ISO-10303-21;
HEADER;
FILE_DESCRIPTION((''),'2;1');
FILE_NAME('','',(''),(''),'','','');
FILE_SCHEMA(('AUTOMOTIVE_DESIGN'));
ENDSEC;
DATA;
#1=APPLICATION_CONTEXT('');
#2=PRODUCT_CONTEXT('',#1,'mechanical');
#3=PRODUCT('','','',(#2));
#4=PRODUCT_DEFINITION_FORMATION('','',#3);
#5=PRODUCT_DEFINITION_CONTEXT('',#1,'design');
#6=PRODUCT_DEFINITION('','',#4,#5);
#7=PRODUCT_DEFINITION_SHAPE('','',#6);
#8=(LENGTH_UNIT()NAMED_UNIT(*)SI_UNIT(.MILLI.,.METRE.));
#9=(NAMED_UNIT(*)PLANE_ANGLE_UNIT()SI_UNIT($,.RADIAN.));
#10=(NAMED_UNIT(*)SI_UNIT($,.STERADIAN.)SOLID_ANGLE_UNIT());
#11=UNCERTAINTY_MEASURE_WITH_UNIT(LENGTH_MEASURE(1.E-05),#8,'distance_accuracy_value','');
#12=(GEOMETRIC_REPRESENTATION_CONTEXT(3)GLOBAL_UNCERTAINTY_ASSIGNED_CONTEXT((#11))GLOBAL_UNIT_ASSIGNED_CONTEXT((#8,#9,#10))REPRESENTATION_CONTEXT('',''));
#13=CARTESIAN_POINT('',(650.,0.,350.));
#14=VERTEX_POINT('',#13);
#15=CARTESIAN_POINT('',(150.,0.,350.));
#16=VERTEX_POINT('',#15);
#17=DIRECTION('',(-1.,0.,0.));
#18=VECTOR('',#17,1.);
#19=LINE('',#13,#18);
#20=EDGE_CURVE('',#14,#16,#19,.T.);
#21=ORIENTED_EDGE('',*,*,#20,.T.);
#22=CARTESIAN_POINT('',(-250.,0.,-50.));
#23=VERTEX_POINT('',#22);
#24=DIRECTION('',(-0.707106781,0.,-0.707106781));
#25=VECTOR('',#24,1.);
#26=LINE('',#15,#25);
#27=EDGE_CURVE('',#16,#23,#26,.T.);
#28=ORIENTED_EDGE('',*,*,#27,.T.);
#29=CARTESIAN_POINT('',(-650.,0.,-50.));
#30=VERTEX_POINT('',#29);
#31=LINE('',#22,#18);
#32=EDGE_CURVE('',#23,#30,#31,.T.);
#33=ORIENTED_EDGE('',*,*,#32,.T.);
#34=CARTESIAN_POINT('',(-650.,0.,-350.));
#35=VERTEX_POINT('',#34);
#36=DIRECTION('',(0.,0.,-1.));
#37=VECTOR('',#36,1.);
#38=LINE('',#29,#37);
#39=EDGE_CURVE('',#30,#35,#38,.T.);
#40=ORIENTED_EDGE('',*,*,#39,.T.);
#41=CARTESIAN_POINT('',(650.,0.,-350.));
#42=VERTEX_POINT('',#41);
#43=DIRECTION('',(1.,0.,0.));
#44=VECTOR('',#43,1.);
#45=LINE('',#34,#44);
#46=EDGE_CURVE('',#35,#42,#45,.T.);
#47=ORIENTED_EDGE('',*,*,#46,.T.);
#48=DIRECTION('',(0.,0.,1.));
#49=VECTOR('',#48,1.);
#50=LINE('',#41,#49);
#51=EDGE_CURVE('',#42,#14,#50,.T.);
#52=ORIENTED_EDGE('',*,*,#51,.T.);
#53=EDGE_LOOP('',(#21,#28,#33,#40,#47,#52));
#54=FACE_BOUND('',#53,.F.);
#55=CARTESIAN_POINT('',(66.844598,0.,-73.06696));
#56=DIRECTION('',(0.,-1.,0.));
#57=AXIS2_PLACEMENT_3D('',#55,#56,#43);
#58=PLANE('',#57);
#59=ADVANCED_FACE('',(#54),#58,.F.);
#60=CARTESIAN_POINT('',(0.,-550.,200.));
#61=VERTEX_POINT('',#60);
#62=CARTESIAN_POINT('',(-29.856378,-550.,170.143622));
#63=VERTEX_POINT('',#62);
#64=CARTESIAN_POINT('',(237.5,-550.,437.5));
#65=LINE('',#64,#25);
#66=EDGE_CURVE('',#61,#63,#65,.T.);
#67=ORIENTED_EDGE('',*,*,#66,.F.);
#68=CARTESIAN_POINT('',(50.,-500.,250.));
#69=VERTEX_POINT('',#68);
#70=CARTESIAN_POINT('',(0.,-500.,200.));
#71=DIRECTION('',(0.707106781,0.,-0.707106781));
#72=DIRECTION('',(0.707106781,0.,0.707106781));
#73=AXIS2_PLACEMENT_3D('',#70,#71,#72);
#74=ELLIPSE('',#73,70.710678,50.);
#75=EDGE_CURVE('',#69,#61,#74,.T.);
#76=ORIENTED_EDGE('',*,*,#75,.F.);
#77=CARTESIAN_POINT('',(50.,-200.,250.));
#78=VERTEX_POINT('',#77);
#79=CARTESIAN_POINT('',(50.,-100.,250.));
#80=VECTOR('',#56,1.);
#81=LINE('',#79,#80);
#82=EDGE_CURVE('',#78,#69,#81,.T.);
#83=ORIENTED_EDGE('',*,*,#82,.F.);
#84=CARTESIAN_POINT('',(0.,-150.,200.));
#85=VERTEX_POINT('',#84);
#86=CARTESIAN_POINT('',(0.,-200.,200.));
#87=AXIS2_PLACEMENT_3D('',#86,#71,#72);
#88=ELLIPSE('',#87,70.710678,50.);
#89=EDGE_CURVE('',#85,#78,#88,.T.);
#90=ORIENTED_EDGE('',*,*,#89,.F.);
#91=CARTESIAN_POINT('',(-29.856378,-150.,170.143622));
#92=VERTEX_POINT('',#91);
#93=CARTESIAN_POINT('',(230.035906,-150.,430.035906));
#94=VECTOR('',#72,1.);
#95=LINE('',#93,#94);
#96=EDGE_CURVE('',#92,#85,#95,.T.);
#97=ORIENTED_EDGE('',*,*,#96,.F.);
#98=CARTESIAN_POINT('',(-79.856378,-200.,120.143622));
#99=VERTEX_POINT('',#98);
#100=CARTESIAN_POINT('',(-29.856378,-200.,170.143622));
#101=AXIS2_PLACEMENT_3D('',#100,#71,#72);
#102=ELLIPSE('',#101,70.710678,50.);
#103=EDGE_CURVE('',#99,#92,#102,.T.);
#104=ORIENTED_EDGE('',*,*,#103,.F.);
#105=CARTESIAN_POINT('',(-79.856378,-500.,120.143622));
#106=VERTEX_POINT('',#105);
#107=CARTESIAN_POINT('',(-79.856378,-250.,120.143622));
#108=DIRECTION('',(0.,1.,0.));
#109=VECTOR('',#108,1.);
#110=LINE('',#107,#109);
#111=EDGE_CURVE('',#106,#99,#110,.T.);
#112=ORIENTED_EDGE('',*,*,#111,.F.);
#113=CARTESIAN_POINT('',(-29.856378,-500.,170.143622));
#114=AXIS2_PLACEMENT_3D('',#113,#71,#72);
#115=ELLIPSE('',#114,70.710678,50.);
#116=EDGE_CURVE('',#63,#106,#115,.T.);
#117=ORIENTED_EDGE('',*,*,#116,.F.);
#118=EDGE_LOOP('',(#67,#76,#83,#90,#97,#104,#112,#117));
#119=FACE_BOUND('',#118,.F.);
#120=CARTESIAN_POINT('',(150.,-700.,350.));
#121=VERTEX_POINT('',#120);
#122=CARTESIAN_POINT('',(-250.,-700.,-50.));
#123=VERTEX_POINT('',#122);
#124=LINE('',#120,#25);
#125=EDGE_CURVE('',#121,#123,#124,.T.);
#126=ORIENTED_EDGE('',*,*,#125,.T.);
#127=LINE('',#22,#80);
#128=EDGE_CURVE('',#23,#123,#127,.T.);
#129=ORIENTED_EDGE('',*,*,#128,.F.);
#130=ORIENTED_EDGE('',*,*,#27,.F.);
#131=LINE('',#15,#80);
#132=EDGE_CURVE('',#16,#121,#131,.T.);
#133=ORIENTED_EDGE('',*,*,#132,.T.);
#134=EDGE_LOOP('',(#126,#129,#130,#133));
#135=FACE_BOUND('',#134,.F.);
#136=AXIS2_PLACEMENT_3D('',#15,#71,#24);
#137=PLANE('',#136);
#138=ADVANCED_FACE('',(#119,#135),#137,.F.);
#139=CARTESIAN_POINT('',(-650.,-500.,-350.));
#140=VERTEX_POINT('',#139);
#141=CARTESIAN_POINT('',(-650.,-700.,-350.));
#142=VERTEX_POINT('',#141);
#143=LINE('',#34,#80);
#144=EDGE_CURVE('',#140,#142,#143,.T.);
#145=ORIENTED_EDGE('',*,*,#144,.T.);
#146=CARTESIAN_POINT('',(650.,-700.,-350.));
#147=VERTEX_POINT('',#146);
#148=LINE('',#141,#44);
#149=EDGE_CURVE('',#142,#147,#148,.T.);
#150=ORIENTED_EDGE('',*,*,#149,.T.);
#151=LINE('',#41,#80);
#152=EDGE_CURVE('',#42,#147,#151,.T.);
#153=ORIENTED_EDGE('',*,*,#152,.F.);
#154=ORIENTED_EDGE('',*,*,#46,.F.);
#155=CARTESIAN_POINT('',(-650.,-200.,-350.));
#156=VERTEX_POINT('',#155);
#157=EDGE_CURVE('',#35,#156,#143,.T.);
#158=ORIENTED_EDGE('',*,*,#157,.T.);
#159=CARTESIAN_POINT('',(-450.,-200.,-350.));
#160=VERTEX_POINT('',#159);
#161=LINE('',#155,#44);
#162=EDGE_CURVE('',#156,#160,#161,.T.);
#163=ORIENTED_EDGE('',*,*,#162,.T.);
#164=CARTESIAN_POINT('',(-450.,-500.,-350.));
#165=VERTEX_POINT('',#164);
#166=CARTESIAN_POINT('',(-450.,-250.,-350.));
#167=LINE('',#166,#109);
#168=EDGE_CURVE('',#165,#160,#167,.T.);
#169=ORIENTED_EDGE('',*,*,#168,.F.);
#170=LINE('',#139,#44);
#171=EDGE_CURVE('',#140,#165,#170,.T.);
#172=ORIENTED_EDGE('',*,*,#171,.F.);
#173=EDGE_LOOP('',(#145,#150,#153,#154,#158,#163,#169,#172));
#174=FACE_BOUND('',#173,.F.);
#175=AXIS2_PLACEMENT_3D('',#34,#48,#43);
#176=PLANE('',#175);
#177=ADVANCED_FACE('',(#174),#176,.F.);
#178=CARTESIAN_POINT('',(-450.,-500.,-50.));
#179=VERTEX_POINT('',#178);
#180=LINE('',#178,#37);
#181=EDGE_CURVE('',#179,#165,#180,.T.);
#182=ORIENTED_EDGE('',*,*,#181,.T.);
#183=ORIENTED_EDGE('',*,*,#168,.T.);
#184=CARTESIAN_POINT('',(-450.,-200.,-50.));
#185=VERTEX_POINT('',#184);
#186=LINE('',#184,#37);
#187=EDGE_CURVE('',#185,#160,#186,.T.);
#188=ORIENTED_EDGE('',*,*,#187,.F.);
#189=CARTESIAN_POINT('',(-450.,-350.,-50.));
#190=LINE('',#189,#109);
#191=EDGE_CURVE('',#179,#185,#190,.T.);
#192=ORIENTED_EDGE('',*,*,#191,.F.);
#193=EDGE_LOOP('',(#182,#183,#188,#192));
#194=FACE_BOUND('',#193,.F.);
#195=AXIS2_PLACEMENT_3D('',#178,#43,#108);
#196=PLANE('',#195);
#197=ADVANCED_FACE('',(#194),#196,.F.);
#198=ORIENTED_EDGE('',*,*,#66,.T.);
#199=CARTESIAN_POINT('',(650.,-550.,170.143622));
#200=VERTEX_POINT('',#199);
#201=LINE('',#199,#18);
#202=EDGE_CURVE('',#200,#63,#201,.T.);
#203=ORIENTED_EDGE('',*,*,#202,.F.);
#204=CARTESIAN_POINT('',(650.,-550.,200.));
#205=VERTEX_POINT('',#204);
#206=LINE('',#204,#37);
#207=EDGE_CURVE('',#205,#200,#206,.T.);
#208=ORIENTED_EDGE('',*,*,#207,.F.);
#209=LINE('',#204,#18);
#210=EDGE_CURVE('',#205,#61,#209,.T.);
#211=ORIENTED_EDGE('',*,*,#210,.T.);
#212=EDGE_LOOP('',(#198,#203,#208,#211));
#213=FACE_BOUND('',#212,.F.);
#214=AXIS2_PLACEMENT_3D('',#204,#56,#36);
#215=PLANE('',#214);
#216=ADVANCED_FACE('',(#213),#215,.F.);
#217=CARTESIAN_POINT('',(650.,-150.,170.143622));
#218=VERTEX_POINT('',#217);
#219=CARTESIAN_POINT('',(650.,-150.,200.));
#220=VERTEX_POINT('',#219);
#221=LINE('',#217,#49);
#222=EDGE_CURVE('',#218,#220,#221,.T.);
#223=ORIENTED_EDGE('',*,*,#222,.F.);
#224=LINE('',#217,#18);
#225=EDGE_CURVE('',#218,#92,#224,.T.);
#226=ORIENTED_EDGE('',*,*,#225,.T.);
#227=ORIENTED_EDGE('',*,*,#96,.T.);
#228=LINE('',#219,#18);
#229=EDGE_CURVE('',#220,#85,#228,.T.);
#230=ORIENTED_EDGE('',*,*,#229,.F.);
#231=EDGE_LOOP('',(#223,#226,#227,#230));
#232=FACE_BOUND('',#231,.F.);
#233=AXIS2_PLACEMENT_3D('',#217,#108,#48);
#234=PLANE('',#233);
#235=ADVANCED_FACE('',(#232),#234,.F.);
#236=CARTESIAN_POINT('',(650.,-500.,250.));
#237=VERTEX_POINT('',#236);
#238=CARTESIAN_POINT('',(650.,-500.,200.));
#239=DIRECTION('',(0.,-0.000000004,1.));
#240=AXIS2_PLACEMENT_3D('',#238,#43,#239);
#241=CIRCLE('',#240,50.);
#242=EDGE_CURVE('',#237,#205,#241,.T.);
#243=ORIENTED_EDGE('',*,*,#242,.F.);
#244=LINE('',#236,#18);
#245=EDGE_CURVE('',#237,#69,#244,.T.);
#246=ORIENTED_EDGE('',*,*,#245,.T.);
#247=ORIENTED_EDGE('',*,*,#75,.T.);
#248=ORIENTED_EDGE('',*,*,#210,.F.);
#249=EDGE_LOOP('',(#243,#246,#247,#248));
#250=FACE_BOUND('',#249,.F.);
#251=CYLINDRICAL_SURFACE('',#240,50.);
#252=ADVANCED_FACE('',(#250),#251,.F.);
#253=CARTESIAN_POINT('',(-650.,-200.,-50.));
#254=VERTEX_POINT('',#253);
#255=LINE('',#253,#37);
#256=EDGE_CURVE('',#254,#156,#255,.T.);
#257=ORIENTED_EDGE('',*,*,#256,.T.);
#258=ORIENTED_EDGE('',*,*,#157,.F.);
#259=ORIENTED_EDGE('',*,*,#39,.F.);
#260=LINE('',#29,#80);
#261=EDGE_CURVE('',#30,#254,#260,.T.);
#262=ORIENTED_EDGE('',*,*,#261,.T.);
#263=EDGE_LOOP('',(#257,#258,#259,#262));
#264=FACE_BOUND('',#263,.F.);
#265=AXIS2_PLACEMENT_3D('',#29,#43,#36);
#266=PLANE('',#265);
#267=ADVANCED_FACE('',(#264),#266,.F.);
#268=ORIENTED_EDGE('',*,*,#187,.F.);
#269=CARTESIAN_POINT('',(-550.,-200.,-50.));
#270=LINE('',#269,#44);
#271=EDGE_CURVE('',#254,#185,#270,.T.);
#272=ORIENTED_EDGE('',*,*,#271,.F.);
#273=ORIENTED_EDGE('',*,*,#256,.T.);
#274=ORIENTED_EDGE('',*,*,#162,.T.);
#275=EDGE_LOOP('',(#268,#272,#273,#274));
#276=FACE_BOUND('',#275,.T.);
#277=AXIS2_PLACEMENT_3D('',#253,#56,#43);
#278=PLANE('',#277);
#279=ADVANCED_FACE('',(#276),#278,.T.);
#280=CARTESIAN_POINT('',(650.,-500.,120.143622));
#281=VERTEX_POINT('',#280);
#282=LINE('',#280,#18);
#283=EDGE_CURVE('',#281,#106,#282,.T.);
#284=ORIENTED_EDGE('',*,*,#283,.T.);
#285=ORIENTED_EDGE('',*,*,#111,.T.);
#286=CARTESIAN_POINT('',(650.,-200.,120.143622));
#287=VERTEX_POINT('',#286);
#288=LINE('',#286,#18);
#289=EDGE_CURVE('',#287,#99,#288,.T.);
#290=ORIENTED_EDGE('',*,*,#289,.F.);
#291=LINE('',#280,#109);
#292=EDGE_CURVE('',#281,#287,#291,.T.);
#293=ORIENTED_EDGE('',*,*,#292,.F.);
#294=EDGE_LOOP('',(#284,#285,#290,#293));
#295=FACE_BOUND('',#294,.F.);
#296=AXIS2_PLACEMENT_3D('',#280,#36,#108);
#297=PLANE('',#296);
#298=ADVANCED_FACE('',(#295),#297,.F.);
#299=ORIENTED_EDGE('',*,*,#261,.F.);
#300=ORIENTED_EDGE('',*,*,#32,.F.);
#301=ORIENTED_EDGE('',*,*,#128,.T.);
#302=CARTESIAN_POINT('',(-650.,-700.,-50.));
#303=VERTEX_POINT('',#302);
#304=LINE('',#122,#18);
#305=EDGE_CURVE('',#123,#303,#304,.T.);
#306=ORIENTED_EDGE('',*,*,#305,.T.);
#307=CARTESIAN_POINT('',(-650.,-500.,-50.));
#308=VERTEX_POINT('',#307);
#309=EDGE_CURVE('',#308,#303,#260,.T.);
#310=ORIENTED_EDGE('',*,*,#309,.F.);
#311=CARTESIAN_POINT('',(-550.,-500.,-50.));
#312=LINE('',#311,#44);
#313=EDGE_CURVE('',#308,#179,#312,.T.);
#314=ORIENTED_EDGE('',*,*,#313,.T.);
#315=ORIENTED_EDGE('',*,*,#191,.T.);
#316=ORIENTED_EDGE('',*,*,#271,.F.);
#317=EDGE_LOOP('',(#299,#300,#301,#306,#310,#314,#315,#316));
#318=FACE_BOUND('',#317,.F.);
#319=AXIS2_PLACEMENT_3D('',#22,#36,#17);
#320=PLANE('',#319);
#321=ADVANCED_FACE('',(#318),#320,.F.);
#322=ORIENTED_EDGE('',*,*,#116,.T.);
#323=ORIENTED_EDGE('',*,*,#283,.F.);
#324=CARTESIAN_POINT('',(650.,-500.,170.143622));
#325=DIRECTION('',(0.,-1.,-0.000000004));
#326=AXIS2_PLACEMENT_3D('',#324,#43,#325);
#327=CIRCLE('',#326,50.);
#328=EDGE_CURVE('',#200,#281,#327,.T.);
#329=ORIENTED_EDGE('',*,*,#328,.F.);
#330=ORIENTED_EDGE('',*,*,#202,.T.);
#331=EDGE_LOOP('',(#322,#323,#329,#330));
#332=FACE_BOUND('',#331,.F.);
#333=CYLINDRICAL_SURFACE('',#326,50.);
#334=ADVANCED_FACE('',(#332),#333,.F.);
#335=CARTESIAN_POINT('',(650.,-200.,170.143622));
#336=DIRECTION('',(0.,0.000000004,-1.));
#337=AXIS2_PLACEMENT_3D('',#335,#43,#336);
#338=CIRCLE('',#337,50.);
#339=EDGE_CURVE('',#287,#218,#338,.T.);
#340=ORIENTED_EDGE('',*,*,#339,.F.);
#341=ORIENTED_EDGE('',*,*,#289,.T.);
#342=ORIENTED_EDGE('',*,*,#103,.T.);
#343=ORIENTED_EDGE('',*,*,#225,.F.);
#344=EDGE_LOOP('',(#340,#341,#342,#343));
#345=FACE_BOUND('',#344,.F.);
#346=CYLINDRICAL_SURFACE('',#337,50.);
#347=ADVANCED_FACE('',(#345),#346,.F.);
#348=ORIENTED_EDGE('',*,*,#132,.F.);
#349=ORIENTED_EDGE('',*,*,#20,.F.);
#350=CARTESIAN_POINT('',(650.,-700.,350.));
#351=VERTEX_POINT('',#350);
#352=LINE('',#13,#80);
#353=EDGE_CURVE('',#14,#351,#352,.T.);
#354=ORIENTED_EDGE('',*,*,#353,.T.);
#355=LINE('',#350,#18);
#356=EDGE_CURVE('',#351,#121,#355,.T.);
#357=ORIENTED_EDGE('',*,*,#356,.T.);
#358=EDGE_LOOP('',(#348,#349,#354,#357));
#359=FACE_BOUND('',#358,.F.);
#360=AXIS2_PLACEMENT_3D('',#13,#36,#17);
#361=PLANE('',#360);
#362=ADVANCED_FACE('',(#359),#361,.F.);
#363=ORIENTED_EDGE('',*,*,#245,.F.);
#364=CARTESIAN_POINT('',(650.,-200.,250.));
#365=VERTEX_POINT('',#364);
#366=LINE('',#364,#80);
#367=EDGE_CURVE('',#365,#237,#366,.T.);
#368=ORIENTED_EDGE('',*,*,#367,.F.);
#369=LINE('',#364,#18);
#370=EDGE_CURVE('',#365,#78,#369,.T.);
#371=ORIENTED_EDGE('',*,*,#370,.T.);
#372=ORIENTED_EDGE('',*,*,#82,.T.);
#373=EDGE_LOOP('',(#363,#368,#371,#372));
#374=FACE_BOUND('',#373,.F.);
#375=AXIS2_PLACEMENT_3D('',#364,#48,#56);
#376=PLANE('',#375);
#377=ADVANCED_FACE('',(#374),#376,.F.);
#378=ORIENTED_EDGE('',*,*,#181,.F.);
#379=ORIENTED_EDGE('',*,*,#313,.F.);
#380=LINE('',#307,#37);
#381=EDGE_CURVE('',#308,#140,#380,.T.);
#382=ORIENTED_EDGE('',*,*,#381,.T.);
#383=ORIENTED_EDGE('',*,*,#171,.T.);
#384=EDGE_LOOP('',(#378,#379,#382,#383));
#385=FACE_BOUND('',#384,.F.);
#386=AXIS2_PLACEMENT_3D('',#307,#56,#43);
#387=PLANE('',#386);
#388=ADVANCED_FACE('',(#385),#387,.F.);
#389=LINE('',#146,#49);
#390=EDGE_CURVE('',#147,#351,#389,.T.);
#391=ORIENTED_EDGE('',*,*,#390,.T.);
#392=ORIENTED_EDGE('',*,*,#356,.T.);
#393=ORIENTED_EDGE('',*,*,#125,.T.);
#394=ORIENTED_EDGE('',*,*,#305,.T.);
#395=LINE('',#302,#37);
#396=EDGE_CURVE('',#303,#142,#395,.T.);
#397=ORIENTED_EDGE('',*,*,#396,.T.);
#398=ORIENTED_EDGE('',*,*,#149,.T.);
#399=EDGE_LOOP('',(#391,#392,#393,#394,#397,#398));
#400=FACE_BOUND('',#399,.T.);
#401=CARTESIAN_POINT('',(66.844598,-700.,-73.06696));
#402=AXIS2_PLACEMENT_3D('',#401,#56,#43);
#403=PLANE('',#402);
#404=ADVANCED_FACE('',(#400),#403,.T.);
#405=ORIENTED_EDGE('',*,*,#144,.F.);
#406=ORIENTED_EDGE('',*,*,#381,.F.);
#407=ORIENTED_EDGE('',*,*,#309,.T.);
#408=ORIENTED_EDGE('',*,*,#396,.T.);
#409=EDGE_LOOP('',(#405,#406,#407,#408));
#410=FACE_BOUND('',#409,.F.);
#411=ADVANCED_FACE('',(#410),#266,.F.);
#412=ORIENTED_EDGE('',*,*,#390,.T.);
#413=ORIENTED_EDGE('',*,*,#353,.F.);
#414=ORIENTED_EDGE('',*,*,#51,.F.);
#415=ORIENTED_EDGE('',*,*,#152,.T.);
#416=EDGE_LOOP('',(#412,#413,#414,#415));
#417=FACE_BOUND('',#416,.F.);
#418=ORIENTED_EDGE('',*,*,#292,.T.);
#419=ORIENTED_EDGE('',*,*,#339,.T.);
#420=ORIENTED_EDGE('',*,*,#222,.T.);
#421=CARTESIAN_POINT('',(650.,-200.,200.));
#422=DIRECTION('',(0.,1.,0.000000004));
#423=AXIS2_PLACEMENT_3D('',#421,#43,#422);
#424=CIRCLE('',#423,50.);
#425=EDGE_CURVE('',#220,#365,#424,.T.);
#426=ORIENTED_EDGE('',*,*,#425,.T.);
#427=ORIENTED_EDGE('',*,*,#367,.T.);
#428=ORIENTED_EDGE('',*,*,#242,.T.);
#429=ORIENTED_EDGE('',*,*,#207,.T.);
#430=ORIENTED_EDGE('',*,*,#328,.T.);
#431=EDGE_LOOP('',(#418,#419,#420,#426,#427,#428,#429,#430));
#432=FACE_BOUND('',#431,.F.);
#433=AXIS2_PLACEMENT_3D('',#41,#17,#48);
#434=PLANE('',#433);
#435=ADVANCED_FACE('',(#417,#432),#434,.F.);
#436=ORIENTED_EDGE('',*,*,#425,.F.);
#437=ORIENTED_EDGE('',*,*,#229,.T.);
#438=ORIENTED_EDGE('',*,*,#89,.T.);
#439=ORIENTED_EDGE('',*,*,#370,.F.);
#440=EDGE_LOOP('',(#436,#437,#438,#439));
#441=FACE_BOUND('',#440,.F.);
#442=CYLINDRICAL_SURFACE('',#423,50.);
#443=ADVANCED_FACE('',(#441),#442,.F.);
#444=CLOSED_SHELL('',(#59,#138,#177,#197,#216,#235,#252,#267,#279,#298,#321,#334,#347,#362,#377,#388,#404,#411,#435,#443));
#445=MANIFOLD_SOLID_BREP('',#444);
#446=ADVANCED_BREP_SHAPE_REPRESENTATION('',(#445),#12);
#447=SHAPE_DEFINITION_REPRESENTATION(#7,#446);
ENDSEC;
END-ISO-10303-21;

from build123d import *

# Parameters (mm, degrees)
F1_DEPTH = 700
F3_DEPTH = 1300.001
F4_W     = 200
F4_H     = 300
F5_DEPTH = 300.001


with BuildPart() as f1:
    # F0 (on Front) → F1 (new body)
    with BuildSketch(Plane.XZ):
        Polygon((650, -350), (650, 350), (150, 350), (-250, -50), (-650, -50), (-650, -350), align=None)
    extrude(amount=F1_DEPTH)

    # F2 (on face) → F3 (cut, through all)
    with BuildSketch(Plane.YZ.offset(650)):
        with BuildLine():
            ThreePointArc((-550, 170.143622), (-535.355339, 134.788283), (-500, 120.143622))
            Line((-500, 120.143622), (-200, 120.143622))
            ThreePointArc((-200, 120.143622), (-164.644661, 134.788283), (-150, 170.143622))
            Line((-150, 170.143622), (-150, 200))
            ThreePointArc((-150, 200), (-164.644661, 235.355339), (-200, 250))
            Line((-200, 250), (-500, 250))
            ThreePointArc((-500, 250), (-535.355339, 235.355339), (-550, 200))
            Line((-550, 200), (-550, 170.143622))
        make_face()
    extrude(amount=-F3_DEPTH, mode=Mode.SUBTRACT)

    # F4 (on face) → F5 (cut, through all)
    with BuildSketch(Plane.XY.offset(-50)):
        with Locations((-550, -350)):
            Rectangle(F4_W, F4_H)
    extrude(amount=-F5_DEPTH, mode=Mode.SUBTRACT)


solid = f1.part
